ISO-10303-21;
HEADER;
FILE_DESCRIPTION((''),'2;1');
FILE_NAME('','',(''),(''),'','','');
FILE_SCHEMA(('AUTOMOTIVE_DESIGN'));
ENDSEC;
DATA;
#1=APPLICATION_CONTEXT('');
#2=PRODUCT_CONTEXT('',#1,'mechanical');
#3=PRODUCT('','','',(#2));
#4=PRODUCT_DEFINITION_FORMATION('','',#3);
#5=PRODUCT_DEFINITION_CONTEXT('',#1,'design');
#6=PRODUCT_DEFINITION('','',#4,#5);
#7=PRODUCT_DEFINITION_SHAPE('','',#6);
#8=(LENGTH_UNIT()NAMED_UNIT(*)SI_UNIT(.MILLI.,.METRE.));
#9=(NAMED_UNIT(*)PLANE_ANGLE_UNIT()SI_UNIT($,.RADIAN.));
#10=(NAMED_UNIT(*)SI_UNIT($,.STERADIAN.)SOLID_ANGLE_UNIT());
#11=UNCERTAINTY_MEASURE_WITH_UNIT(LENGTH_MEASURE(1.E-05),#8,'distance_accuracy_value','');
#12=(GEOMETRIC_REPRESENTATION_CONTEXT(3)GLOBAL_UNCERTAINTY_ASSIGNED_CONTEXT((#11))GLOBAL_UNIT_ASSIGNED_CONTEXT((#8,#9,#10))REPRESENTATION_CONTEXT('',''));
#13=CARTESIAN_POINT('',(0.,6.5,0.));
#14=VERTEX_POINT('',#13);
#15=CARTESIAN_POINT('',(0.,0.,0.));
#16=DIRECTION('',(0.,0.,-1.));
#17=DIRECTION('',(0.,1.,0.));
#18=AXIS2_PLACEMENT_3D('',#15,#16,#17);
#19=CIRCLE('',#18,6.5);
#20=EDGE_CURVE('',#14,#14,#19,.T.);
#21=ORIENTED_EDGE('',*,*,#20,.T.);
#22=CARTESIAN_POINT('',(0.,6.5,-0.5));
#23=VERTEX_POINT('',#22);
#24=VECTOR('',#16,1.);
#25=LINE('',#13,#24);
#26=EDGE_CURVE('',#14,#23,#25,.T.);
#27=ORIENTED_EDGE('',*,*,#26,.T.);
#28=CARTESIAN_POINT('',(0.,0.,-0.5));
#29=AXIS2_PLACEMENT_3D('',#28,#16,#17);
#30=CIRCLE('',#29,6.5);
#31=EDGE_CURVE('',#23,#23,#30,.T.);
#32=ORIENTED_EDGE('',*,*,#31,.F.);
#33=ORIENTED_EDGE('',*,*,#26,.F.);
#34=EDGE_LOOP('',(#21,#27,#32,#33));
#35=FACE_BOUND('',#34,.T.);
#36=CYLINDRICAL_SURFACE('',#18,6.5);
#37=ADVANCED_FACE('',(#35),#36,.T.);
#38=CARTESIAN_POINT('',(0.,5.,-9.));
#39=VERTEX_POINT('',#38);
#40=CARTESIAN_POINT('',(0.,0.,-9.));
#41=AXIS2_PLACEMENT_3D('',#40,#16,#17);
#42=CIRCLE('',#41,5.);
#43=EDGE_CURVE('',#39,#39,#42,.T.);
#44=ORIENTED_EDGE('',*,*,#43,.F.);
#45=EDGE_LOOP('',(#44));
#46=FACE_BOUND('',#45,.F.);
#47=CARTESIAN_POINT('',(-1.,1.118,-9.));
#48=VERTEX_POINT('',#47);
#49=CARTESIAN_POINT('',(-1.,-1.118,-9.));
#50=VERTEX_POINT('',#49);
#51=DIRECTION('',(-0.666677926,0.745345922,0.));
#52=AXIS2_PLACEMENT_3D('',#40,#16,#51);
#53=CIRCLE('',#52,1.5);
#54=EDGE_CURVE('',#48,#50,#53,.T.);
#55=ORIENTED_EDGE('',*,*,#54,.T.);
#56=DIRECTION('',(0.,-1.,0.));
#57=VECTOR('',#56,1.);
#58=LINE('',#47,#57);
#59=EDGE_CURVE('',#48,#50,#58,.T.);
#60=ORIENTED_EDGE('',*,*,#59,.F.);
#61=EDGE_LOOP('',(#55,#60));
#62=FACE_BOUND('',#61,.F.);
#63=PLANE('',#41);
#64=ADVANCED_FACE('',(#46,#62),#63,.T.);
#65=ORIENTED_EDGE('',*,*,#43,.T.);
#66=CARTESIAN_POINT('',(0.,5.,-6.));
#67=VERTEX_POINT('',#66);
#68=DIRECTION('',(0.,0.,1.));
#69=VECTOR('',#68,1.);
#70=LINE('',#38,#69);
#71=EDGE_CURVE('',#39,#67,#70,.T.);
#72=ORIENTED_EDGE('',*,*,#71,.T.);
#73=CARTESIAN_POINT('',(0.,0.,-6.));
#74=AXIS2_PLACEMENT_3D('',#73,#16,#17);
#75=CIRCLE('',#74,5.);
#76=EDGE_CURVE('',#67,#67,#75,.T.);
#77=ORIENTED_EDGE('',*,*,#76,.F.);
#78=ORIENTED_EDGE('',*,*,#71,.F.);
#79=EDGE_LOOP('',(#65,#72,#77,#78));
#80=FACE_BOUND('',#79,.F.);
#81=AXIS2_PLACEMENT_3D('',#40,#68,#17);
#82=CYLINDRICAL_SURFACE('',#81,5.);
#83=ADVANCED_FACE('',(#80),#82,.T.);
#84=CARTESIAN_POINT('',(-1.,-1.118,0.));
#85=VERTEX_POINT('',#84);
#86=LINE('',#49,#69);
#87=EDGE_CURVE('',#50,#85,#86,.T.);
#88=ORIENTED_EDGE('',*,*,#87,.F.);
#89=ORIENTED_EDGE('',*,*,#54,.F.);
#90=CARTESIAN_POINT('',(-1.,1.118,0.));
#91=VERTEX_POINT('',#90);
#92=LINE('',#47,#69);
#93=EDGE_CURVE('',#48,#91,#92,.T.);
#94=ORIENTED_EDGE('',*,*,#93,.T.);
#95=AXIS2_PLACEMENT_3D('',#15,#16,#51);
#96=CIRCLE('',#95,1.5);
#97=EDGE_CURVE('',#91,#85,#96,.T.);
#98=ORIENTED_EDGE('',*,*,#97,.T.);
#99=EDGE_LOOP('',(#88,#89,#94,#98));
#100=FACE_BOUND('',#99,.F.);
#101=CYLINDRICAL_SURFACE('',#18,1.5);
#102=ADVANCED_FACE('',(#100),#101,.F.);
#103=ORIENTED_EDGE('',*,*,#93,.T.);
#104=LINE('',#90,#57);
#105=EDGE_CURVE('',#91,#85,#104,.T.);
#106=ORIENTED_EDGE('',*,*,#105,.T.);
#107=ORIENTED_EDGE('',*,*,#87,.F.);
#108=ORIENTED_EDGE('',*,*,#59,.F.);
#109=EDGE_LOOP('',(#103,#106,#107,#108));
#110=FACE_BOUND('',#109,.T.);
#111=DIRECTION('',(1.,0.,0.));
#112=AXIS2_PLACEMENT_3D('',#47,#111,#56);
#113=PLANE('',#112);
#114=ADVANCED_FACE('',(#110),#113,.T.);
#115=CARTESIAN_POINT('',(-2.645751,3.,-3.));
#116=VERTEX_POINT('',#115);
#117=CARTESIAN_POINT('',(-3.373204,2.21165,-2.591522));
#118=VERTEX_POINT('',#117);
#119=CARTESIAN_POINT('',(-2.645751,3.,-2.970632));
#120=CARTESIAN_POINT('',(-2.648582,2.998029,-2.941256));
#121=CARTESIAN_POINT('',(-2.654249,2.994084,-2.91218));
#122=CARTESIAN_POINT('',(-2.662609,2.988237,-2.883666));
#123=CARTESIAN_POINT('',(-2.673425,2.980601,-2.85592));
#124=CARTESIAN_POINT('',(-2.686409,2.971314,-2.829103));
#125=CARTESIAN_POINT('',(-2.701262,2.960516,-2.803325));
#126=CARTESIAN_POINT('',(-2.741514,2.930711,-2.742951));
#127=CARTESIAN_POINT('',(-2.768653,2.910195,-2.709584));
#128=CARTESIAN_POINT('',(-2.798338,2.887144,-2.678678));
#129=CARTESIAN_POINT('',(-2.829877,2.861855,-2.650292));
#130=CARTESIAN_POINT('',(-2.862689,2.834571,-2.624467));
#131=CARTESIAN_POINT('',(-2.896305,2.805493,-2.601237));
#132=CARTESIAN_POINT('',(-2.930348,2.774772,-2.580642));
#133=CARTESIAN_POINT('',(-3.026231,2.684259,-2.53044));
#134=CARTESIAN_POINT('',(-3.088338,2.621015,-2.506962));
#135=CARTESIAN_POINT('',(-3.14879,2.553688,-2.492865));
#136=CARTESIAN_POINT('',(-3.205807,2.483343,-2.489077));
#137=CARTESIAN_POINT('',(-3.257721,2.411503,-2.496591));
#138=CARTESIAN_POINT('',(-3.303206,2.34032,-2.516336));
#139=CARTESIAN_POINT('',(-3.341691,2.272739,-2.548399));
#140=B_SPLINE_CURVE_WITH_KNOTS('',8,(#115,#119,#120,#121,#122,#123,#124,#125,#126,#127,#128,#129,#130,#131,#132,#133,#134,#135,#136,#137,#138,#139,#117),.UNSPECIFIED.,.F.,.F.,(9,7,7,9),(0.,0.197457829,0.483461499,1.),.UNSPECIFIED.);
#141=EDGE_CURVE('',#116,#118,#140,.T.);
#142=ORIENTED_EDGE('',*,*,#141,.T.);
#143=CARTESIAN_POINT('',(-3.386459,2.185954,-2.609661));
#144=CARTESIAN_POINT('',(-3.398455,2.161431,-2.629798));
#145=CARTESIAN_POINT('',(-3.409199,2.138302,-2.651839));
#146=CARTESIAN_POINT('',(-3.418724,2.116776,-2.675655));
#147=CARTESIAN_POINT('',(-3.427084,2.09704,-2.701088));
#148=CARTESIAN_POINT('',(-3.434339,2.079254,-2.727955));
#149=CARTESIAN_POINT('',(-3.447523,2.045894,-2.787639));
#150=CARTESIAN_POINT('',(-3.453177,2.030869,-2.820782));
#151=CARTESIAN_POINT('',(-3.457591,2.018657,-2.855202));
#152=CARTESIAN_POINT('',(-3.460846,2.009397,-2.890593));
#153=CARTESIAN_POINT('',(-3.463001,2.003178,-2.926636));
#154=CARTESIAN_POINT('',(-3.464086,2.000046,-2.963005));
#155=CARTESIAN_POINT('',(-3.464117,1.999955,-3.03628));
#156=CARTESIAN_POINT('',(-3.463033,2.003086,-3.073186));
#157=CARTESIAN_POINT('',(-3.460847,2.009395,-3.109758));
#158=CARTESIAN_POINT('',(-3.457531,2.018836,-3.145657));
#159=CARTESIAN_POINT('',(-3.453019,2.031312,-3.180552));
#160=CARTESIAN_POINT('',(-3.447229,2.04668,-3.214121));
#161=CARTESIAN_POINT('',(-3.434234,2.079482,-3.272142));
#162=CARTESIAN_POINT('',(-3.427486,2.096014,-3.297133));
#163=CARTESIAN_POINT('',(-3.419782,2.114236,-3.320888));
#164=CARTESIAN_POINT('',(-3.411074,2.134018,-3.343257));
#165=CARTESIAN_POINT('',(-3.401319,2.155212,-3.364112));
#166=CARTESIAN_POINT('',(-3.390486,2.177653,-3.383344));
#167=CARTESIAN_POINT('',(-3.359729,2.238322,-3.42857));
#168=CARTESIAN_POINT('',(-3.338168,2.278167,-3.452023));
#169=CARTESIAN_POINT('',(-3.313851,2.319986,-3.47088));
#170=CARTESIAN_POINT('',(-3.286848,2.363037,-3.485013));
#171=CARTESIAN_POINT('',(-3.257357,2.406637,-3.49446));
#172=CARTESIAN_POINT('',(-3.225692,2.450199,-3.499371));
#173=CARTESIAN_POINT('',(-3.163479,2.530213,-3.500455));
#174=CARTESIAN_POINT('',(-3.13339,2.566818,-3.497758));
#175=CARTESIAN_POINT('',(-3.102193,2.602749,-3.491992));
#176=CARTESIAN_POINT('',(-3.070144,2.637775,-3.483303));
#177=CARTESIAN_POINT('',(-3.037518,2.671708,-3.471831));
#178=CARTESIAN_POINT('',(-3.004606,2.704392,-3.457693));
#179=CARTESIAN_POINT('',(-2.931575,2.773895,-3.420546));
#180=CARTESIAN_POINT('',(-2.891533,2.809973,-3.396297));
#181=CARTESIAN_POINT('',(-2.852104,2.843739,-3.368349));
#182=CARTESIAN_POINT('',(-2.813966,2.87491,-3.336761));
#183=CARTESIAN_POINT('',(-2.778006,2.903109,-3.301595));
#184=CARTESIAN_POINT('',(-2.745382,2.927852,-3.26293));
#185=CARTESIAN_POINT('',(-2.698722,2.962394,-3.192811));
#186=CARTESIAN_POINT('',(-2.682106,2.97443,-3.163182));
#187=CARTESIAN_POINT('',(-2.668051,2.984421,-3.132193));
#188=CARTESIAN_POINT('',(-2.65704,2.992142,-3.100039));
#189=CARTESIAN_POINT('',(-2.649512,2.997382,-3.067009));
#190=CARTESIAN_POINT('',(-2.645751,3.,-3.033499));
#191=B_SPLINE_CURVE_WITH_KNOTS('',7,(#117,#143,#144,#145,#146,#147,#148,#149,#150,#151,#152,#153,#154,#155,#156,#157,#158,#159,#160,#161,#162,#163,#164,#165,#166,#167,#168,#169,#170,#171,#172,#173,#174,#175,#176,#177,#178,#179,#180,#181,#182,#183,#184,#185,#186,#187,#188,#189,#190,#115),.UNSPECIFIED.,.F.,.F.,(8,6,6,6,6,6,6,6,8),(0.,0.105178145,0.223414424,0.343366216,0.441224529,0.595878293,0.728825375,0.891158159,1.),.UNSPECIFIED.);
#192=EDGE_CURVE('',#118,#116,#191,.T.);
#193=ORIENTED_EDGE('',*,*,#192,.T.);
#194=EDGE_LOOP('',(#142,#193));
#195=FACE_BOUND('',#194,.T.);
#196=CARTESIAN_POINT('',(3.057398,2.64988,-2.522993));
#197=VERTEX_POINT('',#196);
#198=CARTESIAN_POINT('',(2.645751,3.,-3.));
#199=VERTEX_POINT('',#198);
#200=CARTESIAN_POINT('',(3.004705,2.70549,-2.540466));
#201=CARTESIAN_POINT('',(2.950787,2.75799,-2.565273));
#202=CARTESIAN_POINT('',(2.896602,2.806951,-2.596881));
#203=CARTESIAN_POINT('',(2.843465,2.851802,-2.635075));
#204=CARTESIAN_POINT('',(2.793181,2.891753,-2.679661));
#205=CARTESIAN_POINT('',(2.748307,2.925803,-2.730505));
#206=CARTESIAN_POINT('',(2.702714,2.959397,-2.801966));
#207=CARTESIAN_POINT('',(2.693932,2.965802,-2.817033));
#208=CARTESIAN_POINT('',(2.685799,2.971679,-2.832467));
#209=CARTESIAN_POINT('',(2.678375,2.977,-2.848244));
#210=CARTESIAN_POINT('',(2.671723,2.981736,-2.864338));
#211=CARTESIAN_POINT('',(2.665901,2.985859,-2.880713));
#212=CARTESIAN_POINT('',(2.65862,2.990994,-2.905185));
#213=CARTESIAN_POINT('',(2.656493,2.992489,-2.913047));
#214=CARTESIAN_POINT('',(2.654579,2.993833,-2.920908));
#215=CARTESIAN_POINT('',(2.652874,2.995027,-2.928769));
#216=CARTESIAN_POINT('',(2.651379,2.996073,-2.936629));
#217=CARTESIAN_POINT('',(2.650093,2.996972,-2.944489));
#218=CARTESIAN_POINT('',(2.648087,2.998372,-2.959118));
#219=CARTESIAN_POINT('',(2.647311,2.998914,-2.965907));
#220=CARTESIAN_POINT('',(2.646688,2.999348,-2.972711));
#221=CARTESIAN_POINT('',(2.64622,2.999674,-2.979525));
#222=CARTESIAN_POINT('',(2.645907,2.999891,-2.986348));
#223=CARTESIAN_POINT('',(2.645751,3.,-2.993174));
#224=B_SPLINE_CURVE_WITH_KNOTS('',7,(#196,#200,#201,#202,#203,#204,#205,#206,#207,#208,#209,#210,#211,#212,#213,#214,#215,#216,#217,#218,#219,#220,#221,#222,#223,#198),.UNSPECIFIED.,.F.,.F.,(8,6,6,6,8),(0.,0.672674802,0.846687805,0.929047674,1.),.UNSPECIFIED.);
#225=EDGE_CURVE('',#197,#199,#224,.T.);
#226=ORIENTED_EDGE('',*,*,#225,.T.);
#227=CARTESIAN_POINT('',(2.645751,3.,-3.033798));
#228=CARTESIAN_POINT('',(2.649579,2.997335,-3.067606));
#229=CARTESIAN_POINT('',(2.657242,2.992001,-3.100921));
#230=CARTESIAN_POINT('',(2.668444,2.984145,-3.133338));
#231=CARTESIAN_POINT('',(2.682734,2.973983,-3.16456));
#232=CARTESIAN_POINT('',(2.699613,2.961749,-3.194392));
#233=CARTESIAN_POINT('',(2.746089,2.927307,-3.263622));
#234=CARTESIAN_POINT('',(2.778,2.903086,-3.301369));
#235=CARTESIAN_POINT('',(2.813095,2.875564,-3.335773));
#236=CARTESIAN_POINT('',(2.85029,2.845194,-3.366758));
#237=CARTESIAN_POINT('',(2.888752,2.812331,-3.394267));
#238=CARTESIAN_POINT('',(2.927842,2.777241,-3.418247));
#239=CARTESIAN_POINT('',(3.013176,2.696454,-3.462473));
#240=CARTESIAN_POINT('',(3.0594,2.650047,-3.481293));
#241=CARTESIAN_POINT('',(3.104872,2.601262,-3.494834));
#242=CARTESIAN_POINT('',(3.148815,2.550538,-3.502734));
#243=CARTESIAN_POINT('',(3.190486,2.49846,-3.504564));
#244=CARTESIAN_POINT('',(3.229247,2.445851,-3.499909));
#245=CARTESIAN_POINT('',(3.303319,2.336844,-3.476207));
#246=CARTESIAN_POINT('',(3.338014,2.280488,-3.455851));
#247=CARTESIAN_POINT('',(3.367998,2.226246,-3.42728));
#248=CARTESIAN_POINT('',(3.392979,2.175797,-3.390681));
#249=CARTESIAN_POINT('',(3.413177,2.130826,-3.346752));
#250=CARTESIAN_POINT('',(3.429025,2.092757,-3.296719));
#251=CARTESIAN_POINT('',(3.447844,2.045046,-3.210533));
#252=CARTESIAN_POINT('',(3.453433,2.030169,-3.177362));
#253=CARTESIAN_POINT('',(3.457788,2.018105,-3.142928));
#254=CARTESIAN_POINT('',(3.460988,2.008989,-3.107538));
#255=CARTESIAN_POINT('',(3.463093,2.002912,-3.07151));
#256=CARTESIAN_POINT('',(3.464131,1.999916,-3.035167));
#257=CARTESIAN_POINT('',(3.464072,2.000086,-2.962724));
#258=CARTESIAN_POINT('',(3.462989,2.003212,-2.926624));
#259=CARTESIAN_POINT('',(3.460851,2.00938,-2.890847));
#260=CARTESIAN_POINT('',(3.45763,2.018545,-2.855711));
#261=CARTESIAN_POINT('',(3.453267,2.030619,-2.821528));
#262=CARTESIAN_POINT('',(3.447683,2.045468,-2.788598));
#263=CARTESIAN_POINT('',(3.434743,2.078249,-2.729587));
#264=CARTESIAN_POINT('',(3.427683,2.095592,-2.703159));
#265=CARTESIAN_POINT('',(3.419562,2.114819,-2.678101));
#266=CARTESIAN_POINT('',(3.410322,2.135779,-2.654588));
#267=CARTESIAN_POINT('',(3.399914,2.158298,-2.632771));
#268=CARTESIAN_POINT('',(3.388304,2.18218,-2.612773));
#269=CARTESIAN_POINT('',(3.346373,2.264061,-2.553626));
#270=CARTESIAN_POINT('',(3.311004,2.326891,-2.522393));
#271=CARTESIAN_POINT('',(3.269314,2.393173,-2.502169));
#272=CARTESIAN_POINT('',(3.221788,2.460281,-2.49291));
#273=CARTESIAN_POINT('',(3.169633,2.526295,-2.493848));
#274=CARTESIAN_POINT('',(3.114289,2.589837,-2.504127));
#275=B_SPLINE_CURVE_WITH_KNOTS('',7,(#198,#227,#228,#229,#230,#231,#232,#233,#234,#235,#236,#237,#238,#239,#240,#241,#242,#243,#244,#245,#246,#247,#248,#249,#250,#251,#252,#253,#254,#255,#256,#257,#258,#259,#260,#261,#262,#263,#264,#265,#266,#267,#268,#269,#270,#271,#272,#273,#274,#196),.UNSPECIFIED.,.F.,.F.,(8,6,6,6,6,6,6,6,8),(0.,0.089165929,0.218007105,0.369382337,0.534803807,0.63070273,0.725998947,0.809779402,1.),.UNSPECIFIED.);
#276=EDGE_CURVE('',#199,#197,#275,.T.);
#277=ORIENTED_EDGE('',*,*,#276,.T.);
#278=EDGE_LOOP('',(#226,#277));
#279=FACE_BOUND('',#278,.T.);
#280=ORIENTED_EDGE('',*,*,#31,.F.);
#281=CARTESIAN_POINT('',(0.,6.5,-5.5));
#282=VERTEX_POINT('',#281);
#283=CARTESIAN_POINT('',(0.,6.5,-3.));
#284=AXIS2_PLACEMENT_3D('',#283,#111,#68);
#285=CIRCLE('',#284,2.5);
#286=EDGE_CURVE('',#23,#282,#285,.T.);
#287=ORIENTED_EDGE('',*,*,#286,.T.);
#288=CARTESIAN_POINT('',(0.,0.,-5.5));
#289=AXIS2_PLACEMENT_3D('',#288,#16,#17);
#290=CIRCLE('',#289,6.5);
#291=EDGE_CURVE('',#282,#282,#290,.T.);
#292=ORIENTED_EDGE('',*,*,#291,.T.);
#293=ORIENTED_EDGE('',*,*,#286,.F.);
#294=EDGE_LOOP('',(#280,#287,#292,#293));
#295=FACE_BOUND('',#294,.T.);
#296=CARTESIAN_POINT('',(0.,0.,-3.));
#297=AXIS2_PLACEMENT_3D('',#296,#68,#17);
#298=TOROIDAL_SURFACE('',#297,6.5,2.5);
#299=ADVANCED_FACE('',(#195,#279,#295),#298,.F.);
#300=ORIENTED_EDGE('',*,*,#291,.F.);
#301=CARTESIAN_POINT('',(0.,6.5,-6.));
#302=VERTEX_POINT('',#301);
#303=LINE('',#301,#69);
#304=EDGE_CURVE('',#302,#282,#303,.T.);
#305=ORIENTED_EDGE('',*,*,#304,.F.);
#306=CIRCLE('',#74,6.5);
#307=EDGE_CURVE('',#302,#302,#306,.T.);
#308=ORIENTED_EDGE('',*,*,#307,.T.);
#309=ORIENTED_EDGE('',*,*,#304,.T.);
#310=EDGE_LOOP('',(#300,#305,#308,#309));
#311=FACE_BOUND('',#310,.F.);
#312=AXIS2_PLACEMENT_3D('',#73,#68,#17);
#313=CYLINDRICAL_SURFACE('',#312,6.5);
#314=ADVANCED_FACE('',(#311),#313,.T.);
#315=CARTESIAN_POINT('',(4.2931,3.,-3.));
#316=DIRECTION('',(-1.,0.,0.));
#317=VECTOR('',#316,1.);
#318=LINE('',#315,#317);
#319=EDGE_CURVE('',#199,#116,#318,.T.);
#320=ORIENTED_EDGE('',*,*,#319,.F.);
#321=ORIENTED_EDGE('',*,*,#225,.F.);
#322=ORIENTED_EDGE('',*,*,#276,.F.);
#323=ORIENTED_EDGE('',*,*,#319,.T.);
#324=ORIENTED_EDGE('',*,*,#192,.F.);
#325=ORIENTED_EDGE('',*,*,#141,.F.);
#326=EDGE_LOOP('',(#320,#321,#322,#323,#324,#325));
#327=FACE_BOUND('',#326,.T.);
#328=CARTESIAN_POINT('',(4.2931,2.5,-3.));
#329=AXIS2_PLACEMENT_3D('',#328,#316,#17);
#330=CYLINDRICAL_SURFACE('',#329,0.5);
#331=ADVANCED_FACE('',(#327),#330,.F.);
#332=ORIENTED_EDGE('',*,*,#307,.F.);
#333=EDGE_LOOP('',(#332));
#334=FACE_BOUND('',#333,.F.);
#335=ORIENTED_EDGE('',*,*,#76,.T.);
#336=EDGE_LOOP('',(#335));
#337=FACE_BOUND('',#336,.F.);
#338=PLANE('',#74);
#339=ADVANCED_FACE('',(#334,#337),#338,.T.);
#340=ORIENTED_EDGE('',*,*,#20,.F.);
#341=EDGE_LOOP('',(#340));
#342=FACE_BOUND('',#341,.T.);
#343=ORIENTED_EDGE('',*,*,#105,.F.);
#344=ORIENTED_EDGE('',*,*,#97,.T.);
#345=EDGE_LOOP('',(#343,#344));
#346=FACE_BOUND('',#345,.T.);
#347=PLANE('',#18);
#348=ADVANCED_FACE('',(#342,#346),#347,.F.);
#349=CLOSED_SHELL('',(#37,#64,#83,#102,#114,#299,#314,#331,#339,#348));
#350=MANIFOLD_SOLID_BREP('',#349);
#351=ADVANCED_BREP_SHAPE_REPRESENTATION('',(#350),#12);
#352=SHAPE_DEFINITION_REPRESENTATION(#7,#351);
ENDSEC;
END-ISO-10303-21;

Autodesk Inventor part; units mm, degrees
ref_plane "YZ Plane" through (0, 0, 0) normal (1, 0, 0) x (0, 1, 0)
ref_plane "XZ Plane" through (0, 0, 0) normal (0, 1, 0) x (-1, 0, 0)
sketch "스케치1" plane through (0, 0, 0) normal (1, 0, 0) x (0, 1, 0)
  line L0 (0, 0) -> (0, -9)
  line L1 (0, 0) -> (1.5, 0)
  line L2 (1.5, 0) -> (1.5, -9)
  line L3 (1.5, -9) -> (5, -9)
  line L4 (5, -9) -> (5, -6)
  line L5 (5, -6) -> (6.5, -6)
  line L6 (1.5, 0) -> (6.5, 0)
  line L7 (6.5, 0) -> (6.5, -0.5)
  line L8 (6.5, -3) -> (1.5, -3) construction
  line L9 (6.5, -6) -> (6.5, -5.5)
  arc A0 (6.5, -0.5) -> (6.5, -5.5) centre (6.5, -3) ccw
  dimension "d0" = 9
  dimension "d2" = 9
  dimension "d3" = 3
  dimension "d4" = 10
  dimension "d6" = 3
  dimension "d7" = 3
  dimension "d8" = 13
  dimension "d9" = 0.5
  dimension "d10" = 0.5
  dimension "d11" = 13
revolve "회전1" add sketch "스케치1" angle 360 about axis through (0, 0, 0) along (0, 0, -1)
sketch "스케치2" plane through (0, 0, -9) normal (0, 0, -1) x (-1, 0, 0)
  circle A0 centre (0, 0) radius 1.5 projected
  line L0 (1, 1.118) -> (1, -1.118)
  dimension "d13" = 1
extrude "돌출1" add sketch "스케치2" against normal blind 9 contours A0 L0 picked at (1.1667, 0)
ref_plane "작업 평면1" through (0, 0, -3) normal (0, 0, 1) x (1, 0, 0)
sketch "스케치3" plane through (0, 0, -3) normal (0, 0, 1) x (1, 0, 0)
  line L0 (3.0429, 2.5) -> (-2.6844, 2.5)
  line L1 (-5.7069, 2.5) -> (4.2931, 2.5)
  line L2 (4.2931, 2.5) -> (4.2931, 3)
  line L3 (4.2931, 3) -> (-5.7069, 3)
  line L4 (-5.7069, 3) -> (-5.7069, 2.5)
  point P0 (0, 0)
  dimension "d16" = 0.5
  dimension "d17" = 2.5
  dimension "d18" = 10
revolve "회전2" cut sketch "스케치3" angle 360 about axis through (-5.7069, 2.5, -3) along (1, 0, 0)
properties part number "지름 핸들러"
